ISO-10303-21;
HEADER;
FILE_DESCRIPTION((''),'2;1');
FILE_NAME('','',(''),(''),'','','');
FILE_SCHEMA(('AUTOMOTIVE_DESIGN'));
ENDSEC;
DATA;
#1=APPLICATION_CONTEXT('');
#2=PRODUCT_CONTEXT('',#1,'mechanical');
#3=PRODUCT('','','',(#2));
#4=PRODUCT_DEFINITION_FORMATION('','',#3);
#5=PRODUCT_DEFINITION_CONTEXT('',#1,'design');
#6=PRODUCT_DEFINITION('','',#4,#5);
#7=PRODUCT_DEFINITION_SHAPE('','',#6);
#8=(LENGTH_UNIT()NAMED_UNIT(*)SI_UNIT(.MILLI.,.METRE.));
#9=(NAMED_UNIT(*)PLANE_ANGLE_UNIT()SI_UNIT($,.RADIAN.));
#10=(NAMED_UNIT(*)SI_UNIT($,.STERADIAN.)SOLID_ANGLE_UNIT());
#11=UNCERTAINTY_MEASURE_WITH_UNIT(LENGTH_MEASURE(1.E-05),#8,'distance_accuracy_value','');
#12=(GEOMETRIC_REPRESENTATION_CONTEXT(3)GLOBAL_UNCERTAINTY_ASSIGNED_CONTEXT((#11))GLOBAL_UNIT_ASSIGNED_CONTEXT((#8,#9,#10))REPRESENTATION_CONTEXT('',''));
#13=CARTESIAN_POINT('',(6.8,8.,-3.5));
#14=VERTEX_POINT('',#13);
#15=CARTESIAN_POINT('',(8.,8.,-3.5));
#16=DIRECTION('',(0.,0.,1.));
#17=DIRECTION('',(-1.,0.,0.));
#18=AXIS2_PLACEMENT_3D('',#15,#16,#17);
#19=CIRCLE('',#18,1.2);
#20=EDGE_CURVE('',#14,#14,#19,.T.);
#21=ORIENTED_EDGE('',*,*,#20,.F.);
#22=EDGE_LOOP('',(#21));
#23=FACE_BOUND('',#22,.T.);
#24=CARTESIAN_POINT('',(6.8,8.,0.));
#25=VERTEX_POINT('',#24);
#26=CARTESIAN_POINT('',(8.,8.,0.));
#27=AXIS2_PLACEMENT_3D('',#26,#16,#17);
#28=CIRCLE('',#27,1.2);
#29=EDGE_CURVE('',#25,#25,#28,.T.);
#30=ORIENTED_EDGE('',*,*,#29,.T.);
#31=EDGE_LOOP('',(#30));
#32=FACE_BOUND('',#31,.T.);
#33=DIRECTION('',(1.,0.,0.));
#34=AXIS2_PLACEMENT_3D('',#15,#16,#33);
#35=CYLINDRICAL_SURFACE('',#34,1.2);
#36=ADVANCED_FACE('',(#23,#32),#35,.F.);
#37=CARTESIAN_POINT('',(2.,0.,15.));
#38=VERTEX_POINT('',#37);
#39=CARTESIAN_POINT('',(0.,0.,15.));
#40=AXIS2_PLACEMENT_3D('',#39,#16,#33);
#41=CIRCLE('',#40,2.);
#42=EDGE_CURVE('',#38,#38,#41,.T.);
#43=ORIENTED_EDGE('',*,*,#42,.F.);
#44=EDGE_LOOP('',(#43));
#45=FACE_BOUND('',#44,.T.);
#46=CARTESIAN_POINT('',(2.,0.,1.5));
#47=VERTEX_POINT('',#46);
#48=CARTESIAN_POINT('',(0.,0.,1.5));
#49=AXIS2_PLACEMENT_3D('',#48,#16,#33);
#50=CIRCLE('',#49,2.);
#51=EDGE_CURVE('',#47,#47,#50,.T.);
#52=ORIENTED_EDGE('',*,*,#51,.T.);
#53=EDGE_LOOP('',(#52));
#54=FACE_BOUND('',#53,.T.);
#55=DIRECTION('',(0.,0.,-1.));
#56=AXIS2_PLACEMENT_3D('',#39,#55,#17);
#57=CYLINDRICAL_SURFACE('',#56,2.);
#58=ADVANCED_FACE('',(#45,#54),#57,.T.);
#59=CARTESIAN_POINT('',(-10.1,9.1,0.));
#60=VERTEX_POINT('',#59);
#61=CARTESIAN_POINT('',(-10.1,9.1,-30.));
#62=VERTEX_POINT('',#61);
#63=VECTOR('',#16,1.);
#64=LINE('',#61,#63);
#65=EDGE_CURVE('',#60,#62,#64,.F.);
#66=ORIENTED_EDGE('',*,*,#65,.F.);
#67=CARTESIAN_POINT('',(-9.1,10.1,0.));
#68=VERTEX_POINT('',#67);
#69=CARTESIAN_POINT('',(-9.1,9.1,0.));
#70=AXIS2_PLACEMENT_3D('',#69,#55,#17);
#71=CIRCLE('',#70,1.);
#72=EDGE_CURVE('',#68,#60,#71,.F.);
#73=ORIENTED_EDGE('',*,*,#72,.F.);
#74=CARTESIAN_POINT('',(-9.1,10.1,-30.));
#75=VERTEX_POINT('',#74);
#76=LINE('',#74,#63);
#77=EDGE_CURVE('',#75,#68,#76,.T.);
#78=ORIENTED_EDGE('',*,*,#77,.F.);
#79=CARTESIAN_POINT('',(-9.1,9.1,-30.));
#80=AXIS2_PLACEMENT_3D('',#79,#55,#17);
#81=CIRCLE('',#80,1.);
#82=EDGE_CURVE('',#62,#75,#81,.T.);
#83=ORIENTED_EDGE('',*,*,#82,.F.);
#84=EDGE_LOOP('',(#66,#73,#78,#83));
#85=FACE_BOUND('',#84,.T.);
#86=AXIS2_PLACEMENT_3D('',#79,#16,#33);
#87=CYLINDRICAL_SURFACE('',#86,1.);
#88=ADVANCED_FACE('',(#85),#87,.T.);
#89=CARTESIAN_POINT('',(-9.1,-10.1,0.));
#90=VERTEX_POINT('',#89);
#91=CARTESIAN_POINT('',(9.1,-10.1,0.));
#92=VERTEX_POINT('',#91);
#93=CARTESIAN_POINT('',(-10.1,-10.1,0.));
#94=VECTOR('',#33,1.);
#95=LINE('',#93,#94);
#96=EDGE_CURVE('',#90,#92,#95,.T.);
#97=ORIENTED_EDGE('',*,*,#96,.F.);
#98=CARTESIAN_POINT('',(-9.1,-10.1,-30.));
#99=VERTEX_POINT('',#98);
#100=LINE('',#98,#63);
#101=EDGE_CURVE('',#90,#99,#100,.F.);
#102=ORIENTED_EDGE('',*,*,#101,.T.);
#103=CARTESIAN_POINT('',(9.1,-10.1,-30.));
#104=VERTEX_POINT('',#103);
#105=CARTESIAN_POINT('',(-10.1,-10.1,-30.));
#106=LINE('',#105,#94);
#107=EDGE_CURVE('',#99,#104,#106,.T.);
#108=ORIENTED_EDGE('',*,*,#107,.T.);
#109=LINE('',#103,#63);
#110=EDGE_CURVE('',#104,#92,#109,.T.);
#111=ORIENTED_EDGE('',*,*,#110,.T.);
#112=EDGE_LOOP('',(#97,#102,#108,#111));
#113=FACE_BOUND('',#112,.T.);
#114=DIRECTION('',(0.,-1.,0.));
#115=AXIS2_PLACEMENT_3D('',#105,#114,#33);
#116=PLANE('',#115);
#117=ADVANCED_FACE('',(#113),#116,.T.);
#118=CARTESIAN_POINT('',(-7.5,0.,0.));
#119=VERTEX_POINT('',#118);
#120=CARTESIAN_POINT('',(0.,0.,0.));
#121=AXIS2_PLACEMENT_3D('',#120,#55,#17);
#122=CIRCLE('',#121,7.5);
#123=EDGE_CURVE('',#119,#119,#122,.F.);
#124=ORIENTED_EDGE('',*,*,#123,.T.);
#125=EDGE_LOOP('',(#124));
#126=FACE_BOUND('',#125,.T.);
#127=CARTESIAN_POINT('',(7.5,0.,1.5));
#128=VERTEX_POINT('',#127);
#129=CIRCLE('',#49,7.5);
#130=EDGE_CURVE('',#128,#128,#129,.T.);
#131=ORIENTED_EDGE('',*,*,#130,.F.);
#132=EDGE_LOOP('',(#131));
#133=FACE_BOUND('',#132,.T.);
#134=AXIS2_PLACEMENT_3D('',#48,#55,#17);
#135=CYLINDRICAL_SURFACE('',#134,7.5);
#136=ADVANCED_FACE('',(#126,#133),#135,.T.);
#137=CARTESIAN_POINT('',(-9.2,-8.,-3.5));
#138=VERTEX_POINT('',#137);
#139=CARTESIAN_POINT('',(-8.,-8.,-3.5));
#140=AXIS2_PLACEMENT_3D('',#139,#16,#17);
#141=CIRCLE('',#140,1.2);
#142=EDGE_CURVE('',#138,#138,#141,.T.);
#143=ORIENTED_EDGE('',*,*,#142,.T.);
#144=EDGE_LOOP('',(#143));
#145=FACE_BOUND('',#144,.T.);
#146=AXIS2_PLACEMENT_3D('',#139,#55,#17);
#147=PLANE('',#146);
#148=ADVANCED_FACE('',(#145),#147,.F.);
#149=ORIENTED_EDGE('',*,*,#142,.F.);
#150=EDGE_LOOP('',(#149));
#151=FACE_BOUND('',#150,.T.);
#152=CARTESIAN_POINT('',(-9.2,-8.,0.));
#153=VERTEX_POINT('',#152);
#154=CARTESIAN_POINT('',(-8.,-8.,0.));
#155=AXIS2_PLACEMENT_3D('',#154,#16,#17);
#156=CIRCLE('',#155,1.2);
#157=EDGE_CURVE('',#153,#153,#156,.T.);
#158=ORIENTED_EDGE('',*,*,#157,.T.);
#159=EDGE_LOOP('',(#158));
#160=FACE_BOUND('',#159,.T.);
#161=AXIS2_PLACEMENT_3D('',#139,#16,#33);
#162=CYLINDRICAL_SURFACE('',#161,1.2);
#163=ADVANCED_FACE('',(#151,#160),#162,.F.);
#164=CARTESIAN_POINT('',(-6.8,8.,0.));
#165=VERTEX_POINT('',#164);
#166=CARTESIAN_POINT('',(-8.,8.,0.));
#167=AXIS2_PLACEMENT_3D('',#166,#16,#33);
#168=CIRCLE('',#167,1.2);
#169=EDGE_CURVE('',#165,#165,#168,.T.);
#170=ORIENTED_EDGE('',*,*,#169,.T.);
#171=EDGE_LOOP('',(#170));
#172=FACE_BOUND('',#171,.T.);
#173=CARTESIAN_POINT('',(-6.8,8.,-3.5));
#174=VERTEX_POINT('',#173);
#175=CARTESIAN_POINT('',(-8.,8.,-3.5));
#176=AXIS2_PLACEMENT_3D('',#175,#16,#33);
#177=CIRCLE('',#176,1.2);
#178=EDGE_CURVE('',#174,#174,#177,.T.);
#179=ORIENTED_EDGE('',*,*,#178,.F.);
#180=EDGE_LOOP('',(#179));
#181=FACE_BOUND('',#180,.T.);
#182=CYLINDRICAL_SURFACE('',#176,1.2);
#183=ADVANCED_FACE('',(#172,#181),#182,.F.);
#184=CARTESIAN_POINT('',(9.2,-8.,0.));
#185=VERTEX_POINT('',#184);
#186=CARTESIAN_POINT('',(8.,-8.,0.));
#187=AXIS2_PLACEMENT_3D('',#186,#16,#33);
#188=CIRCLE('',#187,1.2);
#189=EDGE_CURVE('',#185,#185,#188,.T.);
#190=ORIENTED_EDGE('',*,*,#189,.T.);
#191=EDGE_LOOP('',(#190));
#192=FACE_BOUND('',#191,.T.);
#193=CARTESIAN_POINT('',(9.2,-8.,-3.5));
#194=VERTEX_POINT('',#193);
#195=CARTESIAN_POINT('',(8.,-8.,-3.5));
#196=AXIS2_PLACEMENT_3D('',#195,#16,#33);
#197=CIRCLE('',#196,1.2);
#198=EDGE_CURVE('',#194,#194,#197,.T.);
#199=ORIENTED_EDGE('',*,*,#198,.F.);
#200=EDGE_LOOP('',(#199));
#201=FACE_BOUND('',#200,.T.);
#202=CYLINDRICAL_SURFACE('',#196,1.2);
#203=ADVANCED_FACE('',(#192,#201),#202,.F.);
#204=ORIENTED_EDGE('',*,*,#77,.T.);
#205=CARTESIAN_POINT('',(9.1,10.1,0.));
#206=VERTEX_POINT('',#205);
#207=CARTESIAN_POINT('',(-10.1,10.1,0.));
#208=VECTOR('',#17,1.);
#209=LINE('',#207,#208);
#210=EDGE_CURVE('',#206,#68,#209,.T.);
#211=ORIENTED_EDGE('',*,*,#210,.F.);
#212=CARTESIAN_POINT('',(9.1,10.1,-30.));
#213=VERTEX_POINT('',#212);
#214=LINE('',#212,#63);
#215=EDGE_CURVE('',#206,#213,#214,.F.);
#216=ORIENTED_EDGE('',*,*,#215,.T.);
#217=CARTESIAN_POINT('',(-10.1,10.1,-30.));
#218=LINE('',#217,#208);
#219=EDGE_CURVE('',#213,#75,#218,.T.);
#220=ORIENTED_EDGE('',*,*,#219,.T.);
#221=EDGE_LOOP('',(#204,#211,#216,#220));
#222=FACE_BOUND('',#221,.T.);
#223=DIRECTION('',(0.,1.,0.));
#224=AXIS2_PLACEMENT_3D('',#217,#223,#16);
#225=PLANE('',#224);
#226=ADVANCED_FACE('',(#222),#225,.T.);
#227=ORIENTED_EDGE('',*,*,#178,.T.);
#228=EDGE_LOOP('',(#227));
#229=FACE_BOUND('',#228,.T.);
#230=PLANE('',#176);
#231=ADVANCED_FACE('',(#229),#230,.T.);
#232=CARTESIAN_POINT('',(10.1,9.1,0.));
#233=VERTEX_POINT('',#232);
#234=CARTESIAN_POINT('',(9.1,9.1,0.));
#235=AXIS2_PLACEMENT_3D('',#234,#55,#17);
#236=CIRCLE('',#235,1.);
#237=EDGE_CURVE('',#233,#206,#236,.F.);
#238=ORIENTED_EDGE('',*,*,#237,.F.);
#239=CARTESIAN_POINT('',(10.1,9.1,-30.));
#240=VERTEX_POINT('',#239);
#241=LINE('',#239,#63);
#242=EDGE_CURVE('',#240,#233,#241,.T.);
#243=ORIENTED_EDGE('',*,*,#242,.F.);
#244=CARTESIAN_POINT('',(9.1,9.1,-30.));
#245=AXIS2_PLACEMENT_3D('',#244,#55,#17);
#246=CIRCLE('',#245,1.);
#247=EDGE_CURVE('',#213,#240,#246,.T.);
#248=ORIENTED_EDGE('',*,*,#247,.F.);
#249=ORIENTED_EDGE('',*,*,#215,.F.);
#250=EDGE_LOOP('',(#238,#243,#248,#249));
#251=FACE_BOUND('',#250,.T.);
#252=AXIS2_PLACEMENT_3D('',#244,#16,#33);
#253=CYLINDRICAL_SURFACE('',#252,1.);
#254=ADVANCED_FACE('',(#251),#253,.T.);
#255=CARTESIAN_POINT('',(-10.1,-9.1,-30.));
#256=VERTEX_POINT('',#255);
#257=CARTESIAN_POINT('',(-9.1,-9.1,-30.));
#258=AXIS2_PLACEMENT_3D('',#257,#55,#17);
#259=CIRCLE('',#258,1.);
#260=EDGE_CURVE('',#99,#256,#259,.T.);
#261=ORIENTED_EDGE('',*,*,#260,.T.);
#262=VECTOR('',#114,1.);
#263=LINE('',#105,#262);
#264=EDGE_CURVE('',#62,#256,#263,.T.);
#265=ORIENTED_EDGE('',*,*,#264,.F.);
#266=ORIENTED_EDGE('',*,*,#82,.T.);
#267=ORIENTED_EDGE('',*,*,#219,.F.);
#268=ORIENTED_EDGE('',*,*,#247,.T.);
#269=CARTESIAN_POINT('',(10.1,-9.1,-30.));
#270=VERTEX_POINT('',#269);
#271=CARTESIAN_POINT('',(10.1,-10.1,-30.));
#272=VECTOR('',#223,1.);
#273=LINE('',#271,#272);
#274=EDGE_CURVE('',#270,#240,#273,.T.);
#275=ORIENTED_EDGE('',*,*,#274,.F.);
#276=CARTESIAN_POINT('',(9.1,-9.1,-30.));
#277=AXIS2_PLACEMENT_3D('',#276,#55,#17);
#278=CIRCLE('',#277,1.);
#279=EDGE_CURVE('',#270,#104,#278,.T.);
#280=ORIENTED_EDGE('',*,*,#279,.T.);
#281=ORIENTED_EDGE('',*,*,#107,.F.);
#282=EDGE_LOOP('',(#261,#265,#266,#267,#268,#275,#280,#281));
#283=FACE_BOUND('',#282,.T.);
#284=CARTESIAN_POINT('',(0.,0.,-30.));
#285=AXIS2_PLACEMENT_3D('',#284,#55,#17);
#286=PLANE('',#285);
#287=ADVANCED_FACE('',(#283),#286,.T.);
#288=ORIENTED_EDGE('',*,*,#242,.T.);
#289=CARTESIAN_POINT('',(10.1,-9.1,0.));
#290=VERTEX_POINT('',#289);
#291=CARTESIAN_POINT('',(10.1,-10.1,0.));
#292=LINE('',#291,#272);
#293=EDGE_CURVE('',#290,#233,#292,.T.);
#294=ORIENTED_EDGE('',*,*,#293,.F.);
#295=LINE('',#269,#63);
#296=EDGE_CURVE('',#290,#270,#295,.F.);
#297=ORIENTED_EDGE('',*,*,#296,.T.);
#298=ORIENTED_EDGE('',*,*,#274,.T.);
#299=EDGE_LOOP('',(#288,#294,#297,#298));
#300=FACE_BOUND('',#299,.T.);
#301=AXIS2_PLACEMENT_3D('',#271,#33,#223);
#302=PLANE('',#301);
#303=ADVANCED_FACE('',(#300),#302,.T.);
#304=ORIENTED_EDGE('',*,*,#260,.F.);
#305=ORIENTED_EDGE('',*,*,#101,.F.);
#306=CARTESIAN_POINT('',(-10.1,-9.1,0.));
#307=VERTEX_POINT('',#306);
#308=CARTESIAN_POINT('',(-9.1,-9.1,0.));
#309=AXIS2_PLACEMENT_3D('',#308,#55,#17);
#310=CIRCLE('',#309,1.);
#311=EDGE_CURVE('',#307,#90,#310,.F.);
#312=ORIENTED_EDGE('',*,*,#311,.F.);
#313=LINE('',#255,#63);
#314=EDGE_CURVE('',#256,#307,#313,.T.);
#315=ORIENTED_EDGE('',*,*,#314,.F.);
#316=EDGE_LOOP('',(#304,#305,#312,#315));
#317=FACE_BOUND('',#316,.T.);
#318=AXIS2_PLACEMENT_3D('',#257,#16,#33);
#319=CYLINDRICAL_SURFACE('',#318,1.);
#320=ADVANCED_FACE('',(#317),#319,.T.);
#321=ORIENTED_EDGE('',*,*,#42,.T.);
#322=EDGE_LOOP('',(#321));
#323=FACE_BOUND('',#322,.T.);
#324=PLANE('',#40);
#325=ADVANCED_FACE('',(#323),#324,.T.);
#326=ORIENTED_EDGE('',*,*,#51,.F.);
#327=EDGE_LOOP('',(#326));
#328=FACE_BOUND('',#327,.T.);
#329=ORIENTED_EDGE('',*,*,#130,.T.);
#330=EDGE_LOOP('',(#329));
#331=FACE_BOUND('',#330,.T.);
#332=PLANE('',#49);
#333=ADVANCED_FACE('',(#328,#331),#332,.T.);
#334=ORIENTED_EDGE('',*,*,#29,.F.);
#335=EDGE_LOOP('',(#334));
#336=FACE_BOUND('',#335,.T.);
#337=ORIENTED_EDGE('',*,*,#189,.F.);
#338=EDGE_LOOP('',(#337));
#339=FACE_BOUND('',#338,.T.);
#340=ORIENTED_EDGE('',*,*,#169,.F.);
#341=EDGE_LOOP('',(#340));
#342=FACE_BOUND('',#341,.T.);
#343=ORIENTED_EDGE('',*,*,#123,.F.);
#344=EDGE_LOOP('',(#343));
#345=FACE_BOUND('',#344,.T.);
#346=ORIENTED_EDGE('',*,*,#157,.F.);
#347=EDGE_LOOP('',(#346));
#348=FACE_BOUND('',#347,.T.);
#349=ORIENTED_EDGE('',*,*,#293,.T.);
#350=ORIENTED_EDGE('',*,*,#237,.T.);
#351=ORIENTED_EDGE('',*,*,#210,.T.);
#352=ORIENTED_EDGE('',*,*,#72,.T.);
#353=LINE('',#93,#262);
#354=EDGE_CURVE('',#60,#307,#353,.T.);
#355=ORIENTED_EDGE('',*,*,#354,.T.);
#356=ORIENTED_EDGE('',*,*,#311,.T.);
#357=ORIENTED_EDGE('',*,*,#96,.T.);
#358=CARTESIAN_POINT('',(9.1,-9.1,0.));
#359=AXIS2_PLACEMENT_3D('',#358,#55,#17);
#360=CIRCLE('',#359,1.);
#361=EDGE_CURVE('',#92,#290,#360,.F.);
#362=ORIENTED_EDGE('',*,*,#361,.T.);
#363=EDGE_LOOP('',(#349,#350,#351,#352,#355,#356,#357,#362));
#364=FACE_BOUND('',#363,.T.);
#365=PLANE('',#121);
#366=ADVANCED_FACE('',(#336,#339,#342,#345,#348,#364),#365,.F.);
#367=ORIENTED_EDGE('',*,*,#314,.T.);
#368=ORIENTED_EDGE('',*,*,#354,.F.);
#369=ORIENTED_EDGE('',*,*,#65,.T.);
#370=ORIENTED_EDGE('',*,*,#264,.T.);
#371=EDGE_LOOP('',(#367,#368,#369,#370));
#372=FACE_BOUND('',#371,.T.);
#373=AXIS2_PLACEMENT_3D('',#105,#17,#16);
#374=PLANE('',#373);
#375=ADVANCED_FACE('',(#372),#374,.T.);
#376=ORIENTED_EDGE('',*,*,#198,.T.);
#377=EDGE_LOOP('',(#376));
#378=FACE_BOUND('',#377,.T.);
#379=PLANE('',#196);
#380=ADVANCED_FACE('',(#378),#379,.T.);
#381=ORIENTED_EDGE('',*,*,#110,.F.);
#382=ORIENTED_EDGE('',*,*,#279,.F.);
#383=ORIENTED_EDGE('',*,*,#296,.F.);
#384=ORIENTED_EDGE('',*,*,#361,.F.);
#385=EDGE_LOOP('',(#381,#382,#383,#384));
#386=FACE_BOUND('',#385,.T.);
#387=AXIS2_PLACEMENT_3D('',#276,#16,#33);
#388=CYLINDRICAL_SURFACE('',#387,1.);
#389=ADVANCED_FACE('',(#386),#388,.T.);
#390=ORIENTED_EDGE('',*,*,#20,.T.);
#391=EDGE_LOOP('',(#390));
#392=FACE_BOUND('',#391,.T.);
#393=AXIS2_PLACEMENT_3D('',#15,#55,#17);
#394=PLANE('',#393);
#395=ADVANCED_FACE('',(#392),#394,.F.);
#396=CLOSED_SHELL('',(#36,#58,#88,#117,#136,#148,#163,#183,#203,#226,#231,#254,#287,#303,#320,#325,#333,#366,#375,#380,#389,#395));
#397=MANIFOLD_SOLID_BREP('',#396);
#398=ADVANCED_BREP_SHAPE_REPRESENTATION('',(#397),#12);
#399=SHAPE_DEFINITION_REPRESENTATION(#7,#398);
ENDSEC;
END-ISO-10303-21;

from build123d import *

# Parameters (mm, degrees)
ESQUISSE1_W             = 20.2
ESQUISSE1_H             = 20.2
BOSS_EXTRU_1_DEPTH      = 30
ESQUISSE2_R             = 7.5
BOSS_EXTRU_2_DEPTH      = 1.5
ESQUISSE3_R             = 2
BOSS_EXTRU_4_DEPTH      = 13.5
ESQUISSE4_R             = 1.2
ENL_V_MAT_EXTRU_1_DEPTH = 3.5
CONG_1_R                = 1


with BuildPart() as part:
    # Esquisse1 → Boss.-Extru.1 (new body)
    with BuildSketch(Plane.XY):
        Rectangle(ESQUISSE1_W, ESQUISSE1_H)
    extrude(amount=-BOSS_EXTRU_1_DEPTH)

    # Esquisse2 → Boss.-Extru.2 (add)
    with BuildSketch(Plane.XY):
        Circle(ESQUISSE2_R)
    extrude(amount=BOSS_EXTRU_2_DEPTH)

    # Esquisse3 → Boss.-Extru.4 (add)
    with BuildSketch(Plane.XY.offset(1.5)):
        Circle(ESQUISSE3_R)
    extrude(amount=BOSS_EXTRU_4_DEPTH)

    # Esquisse4 → Enlèv. mat.-Extru.1 (cut)
    with BuildSketch(Plane.XY):
        with Locations((-8, 8)):
            Circle(ESQUISSE4_R)
        with Locations((8, 8)):
            Circle(ESQUISSE4_R)
        with Locations((8, -8)):
            Circle(ESQUISSE4_R)
        with Locations((-8, -8)):
            Circle(ESQUISSE4_R)
    extrude(amount=-ENL_V_MAT_EXTRU_1_DEPTH, mode=Mode.SUBTRACT)

    # Congé1
    cong_1_edges = [part.edges().sort_by_distance(p)[0] for p in [
        (-10.1, 10.1, -15),
        (10.1, 10.1, -15),
        (10.1, -10.1, -15),
        (-10.1, -10.1, -15),
    ]]
    fillet(cong_1_edges, radius=CONG_1_R)


solid = part.part
